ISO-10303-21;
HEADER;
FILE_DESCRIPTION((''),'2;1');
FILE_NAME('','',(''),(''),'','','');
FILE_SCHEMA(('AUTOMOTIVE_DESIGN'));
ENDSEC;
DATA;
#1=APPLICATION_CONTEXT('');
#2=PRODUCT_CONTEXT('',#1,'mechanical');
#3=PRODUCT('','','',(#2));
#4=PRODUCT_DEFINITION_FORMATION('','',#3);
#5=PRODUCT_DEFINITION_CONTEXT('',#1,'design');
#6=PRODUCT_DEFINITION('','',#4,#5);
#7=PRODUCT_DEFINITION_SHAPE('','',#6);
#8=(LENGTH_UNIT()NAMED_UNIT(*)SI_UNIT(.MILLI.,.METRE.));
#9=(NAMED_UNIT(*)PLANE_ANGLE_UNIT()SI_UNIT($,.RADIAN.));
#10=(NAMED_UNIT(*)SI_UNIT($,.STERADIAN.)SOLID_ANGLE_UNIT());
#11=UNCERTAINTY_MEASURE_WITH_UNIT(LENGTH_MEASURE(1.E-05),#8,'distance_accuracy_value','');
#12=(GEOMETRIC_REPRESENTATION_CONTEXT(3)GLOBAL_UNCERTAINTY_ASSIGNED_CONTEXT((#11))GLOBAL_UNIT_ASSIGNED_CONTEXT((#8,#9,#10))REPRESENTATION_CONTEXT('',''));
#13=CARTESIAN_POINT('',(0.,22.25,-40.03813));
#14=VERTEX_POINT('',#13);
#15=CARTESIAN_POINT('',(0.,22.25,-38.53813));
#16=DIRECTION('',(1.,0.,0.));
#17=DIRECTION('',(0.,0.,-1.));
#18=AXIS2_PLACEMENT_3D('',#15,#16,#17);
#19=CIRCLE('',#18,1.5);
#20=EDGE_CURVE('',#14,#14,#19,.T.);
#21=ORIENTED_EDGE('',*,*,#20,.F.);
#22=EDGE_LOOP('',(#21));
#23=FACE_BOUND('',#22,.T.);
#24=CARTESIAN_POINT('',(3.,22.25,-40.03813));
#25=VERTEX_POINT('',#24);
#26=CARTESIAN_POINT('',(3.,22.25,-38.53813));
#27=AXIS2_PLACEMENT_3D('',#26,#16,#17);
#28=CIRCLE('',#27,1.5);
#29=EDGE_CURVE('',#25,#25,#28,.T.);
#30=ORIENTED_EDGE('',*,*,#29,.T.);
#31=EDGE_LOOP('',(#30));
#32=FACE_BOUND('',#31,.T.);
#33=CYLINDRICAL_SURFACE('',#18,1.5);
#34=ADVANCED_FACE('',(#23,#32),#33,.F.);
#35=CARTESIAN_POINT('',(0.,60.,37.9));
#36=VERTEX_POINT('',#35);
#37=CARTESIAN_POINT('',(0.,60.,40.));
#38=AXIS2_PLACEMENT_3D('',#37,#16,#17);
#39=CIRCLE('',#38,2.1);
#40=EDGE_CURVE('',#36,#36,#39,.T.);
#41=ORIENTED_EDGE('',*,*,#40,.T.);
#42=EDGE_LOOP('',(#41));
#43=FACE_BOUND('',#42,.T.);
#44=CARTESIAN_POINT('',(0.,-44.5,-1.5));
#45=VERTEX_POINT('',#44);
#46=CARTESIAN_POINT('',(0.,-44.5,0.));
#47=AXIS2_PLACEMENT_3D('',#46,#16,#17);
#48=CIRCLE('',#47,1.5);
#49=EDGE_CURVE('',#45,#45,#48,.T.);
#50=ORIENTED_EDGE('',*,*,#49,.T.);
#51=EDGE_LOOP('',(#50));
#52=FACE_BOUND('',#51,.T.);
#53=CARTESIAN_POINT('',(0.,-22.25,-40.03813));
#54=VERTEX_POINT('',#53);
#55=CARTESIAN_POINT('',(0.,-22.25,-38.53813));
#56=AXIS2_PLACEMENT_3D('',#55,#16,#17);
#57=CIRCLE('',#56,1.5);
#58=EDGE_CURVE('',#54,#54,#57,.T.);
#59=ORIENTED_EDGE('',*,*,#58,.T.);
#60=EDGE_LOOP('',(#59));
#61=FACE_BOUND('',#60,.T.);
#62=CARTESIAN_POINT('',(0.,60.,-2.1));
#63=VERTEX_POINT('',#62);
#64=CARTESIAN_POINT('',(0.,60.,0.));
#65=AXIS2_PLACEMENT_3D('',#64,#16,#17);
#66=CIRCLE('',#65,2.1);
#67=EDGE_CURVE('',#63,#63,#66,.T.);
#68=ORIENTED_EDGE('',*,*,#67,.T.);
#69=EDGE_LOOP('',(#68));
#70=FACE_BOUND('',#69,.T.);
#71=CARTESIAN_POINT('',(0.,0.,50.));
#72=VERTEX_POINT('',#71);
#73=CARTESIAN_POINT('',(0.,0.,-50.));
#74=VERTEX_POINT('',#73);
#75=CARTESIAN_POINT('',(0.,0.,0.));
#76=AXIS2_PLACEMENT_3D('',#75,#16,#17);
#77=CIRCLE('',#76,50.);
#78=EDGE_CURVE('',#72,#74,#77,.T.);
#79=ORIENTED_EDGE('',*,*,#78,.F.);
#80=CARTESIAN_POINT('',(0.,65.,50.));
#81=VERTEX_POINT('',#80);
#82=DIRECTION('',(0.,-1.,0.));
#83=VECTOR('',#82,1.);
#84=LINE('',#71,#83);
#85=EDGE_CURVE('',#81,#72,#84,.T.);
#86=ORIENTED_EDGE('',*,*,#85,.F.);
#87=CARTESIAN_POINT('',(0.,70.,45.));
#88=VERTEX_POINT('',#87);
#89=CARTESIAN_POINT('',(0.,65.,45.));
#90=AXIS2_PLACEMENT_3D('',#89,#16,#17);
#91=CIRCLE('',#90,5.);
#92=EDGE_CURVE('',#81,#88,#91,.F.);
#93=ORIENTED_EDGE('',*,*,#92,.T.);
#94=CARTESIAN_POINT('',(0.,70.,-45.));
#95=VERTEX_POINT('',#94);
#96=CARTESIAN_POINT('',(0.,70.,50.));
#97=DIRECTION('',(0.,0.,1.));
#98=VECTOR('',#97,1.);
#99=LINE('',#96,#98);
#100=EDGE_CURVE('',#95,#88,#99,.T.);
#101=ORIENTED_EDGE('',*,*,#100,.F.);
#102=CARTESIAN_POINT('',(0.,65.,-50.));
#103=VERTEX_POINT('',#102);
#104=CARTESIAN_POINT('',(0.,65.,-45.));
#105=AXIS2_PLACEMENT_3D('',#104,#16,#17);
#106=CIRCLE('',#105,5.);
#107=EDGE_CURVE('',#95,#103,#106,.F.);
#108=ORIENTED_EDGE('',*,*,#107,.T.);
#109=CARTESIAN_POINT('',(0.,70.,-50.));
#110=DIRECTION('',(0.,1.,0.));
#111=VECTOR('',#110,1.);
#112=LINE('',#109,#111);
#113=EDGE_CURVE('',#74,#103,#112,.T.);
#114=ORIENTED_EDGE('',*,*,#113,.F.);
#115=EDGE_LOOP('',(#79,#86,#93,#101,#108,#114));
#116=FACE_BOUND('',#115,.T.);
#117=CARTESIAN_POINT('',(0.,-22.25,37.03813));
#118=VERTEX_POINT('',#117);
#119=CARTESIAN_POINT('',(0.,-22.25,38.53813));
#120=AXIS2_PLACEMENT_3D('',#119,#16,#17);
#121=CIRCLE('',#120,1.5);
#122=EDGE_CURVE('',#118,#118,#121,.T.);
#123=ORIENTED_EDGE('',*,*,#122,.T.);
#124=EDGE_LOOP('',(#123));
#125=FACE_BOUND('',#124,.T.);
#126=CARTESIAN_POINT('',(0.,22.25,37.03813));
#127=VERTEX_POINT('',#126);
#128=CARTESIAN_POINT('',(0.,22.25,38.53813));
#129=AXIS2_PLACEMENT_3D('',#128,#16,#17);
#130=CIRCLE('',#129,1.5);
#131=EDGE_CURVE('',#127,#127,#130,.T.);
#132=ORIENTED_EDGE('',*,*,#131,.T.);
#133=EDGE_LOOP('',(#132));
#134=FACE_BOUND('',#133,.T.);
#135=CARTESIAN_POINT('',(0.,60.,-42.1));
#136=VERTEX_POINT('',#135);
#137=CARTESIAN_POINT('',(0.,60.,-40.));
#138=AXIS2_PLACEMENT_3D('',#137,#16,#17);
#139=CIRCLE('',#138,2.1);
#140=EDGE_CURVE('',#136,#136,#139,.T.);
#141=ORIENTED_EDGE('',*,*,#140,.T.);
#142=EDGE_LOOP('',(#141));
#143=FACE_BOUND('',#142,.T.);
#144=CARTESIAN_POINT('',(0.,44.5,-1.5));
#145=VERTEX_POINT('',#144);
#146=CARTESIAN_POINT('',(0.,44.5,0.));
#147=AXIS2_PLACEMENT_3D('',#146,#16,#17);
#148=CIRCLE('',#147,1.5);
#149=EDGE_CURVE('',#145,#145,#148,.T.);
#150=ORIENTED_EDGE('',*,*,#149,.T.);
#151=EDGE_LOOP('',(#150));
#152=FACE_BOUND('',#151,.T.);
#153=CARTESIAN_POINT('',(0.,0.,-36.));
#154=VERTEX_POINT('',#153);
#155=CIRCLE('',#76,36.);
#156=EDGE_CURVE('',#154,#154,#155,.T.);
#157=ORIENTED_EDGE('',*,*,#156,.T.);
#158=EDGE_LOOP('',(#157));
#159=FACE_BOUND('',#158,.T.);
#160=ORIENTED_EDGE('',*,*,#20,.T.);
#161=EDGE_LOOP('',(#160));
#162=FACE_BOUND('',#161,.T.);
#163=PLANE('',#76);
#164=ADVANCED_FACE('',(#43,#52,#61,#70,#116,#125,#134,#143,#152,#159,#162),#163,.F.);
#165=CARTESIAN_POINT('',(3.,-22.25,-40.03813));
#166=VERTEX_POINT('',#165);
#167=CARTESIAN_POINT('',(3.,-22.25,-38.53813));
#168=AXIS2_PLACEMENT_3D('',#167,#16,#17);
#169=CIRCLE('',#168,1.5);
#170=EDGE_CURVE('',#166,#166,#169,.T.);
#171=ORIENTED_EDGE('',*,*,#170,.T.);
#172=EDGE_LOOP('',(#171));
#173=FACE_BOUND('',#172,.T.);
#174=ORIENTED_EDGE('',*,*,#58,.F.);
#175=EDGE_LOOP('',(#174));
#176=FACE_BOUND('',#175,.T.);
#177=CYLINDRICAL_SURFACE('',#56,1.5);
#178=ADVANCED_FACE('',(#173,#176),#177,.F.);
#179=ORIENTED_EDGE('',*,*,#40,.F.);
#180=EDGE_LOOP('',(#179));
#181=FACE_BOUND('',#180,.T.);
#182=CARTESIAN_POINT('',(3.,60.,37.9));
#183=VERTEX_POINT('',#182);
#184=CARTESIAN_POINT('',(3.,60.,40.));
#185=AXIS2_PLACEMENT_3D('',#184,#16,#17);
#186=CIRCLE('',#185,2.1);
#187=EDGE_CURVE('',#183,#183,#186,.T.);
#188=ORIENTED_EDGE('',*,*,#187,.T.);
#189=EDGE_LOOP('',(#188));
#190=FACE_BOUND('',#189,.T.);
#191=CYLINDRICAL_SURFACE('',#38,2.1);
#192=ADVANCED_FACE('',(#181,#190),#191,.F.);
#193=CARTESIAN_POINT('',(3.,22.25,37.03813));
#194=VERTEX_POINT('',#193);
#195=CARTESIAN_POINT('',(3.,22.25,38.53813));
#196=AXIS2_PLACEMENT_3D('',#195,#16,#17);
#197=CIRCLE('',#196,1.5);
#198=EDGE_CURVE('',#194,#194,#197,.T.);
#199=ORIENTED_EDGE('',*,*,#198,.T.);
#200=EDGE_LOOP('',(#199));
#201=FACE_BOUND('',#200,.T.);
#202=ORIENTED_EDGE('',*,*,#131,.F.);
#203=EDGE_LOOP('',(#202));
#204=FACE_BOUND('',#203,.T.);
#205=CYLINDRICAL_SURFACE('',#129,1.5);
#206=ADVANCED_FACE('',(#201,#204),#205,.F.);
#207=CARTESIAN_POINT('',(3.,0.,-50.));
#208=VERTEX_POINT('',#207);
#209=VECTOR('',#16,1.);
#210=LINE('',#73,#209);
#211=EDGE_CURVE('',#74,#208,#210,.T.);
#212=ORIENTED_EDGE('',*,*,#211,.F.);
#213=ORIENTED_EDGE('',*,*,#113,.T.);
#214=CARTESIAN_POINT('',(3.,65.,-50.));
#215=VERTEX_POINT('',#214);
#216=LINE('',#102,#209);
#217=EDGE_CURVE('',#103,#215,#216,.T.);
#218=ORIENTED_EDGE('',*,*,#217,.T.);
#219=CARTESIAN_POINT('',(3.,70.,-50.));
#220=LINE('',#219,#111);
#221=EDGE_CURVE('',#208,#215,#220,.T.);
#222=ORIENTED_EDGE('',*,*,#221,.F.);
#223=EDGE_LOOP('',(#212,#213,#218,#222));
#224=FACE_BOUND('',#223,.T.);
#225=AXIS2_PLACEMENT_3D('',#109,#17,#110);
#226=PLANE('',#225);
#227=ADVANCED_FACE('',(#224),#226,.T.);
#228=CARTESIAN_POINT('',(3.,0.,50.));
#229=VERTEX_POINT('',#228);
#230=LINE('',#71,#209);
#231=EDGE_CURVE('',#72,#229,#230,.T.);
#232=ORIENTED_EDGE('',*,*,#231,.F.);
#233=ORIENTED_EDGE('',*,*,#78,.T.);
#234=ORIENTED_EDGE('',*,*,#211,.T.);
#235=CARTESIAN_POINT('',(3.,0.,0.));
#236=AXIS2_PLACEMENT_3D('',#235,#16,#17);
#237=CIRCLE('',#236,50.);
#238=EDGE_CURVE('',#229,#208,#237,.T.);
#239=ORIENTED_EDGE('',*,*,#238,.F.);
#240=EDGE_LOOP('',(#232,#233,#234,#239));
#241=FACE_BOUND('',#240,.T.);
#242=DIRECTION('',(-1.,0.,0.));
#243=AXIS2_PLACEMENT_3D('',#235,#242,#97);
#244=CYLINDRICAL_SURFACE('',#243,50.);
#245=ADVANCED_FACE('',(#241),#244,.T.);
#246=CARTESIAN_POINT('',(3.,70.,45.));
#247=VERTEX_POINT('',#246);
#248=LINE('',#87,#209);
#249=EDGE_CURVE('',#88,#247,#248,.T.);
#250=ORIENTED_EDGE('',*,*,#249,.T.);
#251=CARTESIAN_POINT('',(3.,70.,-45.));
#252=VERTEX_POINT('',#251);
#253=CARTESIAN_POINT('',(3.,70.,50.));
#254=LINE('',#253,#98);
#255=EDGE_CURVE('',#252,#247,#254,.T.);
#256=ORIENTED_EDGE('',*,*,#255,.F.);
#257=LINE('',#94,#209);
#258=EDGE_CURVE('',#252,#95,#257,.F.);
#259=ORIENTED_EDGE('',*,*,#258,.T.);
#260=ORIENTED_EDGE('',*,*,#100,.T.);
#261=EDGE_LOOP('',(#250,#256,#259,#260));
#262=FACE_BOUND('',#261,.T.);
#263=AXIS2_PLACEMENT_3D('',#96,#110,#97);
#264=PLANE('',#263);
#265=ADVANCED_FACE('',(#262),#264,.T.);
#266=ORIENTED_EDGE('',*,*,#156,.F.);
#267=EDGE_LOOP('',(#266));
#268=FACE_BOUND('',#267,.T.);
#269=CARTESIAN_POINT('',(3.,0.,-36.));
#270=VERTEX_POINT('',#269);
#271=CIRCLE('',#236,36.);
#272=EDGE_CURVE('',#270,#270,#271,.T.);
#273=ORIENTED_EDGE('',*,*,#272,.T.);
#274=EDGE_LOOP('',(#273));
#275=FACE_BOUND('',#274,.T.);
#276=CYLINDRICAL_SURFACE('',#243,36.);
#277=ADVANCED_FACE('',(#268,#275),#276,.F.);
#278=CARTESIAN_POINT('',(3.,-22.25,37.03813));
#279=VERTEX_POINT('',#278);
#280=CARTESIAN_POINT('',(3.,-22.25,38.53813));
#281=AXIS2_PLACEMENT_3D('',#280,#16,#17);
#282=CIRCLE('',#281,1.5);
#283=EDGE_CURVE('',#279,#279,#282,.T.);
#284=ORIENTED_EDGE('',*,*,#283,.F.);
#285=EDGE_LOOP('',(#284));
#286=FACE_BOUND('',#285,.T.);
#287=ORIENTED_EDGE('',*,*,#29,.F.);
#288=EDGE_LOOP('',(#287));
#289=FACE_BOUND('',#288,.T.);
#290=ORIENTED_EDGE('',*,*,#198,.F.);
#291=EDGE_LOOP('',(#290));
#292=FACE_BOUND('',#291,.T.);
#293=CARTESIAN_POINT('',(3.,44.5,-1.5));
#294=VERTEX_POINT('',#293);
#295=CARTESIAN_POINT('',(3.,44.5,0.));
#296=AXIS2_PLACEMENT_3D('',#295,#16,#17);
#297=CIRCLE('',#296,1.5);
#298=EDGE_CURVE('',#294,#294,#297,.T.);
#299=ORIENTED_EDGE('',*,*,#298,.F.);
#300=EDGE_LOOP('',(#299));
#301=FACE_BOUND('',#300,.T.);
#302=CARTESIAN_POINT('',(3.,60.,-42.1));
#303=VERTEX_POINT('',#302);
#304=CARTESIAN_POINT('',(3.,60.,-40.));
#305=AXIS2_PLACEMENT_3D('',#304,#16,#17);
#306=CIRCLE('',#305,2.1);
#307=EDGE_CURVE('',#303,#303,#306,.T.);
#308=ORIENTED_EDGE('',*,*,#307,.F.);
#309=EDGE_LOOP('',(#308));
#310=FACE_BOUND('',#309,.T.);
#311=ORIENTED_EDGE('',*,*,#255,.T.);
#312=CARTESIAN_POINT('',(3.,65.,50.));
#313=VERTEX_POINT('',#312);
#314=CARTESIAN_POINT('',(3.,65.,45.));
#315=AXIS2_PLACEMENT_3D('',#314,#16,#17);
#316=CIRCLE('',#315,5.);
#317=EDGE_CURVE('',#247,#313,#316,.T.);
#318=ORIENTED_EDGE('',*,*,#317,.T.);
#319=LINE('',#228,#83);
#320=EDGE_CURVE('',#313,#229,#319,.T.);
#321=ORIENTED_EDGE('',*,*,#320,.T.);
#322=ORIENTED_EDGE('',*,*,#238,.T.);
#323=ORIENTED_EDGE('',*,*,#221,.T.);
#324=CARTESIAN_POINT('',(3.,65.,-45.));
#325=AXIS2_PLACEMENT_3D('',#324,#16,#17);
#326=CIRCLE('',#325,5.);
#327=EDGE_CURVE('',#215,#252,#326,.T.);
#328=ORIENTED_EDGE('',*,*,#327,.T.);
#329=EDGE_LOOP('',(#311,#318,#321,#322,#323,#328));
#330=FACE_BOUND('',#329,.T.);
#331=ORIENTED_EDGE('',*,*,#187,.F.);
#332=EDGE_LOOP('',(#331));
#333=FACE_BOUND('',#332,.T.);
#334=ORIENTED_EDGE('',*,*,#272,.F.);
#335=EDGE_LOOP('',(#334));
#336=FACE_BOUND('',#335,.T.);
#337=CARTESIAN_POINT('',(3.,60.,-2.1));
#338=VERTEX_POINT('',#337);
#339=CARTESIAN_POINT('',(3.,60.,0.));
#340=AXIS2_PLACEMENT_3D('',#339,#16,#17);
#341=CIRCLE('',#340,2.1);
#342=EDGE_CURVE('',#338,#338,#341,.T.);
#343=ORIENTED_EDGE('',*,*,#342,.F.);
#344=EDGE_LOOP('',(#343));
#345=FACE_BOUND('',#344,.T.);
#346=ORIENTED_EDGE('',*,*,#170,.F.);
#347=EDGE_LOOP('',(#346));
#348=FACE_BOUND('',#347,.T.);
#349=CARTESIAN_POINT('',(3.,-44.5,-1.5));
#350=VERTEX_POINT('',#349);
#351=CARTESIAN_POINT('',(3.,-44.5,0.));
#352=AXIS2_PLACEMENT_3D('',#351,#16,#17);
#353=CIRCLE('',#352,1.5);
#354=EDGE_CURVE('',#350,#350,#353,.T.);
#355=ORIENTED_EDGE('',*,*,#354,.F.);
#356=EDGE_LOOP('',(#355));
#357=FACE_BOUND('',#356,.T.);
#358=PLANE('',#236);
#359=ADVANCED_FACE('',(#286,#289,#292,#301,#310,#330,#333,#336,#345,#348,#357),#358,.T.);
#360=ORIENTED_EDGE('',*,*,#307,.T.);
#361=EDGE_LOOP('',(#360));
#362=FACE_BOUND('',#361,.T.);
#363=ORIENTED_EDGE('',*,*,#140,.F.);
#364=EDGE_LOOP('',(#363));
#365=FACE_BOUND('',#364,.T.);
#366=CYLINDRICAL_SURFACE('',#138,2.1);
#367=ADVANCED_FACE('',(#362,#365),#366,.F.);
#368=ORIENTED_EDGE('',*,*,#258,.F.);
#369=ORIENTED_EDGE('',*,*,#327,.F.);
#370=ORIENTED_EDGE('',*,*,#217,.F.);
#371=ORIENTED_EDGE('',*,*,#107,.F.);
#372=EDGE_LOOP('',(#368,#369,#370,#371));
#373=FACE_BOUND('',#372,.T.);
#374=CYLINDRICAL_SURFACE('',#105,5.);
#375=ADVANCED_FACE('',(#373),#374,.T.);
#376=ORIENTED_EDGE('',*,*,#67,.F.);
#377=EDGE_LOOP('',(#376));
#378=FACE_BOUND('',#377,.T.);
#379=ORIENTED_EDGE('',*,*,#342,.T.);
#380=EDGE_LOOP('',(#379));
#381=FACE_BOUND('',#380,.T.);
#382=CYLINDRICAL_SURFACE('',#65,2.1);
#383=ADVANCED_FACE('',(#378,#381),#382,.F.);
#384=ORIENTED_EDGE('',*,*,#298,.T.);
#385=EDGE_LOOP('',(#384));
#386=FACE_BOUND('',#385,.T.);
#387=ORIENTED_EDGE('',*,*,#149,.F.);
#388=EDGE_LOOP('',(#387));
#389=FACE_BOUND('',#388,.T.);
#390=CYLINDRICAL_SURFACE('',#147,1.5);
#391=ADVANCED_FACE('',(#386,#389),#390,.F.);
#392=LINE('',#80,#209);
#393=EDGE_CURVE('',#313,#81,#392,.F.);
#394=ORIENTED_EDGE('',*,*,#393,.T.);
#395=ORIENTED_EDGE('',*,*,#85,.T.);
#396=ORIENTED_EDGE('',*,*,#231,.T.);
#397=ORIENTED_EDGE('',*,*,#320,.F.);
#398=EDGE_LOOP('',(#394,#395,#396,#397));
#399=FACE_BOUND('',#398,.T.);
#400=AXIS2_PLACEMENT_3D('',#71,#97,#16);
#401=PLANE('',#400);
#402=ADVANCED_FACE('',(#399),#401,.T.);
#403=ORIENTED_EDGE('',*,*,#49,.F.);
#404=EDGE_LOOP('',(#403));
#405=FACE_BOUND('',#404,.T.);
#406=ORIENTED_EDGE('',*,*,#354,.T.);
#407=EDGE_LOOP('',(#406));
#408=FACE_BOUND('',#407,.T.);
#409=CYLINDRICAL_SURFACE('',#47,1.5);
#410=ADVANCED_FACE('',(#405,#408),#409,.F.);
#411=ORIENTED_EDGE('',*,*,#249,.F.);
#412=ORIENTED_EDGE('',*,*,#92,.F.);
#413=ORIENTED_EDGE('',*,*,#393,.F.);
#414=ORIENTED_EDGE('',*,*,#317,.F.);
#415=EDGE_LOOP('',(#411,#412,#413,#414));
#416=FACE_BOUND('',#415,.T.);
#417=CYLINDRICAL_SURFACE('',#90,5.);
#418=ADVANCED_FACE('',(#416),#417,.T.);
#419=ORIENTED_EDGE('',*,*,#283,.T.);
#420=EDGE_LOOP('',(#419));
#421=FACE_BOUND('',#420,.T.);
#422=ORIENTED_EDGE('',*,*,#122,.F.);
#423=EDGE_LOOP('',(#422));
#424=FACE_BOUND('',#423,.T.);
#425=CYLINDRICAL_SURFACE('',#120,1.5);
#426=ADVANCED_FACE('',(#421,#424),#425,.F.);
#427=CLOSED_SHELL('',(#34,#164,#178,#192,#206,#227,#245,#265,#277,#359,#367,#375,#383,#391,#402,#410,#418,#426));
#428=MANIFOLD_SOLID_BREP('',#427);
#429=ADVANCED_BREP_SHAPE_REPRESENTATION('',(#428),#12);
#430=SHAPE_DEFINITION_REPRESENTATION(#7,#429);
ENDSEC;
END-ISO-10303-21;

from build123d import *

# Parameters (mm, degrees)
SKETCH_1_R          = 50
SKETCH_1_R_2        = 36
EXTRUDE_1_DEPTH     = 3
EXTRUDE_START       = -3
EXTRUDE_2_DEPTH     = 3
SKETCH_3_R          = 1.5
CUT_EXTRUDE_1_DEPTH = 3
SKETCH_4_R          = 2.1
CUT_EXTRUDE_2_DEPTH = 87.075548212
FILLET_2_R          = 5


with BuildPart() as part:
    # 草图1 → 凸台-拉伸1 (new body)
    with BuildSketch(Plane(origin=(0, 0, 0), x_dir=(0, 0, -1), z_dir=(1, 0, 0))):
        Circle(SKETCH_1_R)
        Circle(SKETCH_1_R_2, mode=Mode.SUBTRACT)
    extrude(amount=EXTRUDE_1_DEPTH)

    # 草图2 → 凸台-拉伸2 (add)
    with BuildSketch(Plane(origin=(3, 0, 0), x_dir=(0, 0, -1), z_dir=(1, 0, 0)).offset(EXTRUDE_START)):
        with BuildLine():
            Line((-50, 0), (-50, 70))
            Line((-50, 70), (50, 70))
            Line((50, 70), (50, 0))
            ThreePointArc((50, 0), (0, 50), (-50, 0))
        make_face()
    extrude(amount=EXTRUDE_2_DEPTH)

    # 草图3 → 切除-拉伸1 (cut)
    with BuildSketch(Plane(origin=(3, 0, 0), x_dir=(0, 0, -1), z_dir=(1, 0, 0))):
        with Locations((0, 44.5)):
            Circle(SKETCH_3_R)
        with Locations((38.538130468, 22.25)):
            Circle(SKETCH_3_R)
        with Locations((38.538130468, -22.25)):
            Circle(SKETCH_3_R)
        with Locations((0, -44.5)):
            Circle(SKETCH_3_R)
        with Locations((-38.538130468, -22.25)):
            Circle(SKETCH_3_R)
        with Locations((-38.538130468, 22.25)):
            Circle(SKETCH_3_R)
    extrude(amount=-CUT_EXTRUDE_1_DEPTH, mode=Mode.SUBTRACT)

    # 草图4 → 切除-拉伸2 (cut, through all)
    with BuildSketch(Plane(origin=(3, 0, 0), x_dir=(0, 0, -1), z_dir=(1, 0, 0))):
        with Locations((-40, 60)):
            Circle(SKETCH_4_R)
        with Locations((0, 60)):
            Circle(SKETCH_4_R)
        with Locations((40, 60)):
            Circle(SKETCH_4_R)
    extrude(amount=-CUT_EXTRUDE_2_DEPTH, mode=Mode.SUBTRACT)

    # 圆角2
    fillet_2_edges = [part.edges().sort_by_distance(p)[0] for p in [
        (1.5, 70, 50),
        (1.5, 70, -50),
    ]]
    fillet(fillet_2_edges, radius=FILLET_2_R)


solid = part.part
